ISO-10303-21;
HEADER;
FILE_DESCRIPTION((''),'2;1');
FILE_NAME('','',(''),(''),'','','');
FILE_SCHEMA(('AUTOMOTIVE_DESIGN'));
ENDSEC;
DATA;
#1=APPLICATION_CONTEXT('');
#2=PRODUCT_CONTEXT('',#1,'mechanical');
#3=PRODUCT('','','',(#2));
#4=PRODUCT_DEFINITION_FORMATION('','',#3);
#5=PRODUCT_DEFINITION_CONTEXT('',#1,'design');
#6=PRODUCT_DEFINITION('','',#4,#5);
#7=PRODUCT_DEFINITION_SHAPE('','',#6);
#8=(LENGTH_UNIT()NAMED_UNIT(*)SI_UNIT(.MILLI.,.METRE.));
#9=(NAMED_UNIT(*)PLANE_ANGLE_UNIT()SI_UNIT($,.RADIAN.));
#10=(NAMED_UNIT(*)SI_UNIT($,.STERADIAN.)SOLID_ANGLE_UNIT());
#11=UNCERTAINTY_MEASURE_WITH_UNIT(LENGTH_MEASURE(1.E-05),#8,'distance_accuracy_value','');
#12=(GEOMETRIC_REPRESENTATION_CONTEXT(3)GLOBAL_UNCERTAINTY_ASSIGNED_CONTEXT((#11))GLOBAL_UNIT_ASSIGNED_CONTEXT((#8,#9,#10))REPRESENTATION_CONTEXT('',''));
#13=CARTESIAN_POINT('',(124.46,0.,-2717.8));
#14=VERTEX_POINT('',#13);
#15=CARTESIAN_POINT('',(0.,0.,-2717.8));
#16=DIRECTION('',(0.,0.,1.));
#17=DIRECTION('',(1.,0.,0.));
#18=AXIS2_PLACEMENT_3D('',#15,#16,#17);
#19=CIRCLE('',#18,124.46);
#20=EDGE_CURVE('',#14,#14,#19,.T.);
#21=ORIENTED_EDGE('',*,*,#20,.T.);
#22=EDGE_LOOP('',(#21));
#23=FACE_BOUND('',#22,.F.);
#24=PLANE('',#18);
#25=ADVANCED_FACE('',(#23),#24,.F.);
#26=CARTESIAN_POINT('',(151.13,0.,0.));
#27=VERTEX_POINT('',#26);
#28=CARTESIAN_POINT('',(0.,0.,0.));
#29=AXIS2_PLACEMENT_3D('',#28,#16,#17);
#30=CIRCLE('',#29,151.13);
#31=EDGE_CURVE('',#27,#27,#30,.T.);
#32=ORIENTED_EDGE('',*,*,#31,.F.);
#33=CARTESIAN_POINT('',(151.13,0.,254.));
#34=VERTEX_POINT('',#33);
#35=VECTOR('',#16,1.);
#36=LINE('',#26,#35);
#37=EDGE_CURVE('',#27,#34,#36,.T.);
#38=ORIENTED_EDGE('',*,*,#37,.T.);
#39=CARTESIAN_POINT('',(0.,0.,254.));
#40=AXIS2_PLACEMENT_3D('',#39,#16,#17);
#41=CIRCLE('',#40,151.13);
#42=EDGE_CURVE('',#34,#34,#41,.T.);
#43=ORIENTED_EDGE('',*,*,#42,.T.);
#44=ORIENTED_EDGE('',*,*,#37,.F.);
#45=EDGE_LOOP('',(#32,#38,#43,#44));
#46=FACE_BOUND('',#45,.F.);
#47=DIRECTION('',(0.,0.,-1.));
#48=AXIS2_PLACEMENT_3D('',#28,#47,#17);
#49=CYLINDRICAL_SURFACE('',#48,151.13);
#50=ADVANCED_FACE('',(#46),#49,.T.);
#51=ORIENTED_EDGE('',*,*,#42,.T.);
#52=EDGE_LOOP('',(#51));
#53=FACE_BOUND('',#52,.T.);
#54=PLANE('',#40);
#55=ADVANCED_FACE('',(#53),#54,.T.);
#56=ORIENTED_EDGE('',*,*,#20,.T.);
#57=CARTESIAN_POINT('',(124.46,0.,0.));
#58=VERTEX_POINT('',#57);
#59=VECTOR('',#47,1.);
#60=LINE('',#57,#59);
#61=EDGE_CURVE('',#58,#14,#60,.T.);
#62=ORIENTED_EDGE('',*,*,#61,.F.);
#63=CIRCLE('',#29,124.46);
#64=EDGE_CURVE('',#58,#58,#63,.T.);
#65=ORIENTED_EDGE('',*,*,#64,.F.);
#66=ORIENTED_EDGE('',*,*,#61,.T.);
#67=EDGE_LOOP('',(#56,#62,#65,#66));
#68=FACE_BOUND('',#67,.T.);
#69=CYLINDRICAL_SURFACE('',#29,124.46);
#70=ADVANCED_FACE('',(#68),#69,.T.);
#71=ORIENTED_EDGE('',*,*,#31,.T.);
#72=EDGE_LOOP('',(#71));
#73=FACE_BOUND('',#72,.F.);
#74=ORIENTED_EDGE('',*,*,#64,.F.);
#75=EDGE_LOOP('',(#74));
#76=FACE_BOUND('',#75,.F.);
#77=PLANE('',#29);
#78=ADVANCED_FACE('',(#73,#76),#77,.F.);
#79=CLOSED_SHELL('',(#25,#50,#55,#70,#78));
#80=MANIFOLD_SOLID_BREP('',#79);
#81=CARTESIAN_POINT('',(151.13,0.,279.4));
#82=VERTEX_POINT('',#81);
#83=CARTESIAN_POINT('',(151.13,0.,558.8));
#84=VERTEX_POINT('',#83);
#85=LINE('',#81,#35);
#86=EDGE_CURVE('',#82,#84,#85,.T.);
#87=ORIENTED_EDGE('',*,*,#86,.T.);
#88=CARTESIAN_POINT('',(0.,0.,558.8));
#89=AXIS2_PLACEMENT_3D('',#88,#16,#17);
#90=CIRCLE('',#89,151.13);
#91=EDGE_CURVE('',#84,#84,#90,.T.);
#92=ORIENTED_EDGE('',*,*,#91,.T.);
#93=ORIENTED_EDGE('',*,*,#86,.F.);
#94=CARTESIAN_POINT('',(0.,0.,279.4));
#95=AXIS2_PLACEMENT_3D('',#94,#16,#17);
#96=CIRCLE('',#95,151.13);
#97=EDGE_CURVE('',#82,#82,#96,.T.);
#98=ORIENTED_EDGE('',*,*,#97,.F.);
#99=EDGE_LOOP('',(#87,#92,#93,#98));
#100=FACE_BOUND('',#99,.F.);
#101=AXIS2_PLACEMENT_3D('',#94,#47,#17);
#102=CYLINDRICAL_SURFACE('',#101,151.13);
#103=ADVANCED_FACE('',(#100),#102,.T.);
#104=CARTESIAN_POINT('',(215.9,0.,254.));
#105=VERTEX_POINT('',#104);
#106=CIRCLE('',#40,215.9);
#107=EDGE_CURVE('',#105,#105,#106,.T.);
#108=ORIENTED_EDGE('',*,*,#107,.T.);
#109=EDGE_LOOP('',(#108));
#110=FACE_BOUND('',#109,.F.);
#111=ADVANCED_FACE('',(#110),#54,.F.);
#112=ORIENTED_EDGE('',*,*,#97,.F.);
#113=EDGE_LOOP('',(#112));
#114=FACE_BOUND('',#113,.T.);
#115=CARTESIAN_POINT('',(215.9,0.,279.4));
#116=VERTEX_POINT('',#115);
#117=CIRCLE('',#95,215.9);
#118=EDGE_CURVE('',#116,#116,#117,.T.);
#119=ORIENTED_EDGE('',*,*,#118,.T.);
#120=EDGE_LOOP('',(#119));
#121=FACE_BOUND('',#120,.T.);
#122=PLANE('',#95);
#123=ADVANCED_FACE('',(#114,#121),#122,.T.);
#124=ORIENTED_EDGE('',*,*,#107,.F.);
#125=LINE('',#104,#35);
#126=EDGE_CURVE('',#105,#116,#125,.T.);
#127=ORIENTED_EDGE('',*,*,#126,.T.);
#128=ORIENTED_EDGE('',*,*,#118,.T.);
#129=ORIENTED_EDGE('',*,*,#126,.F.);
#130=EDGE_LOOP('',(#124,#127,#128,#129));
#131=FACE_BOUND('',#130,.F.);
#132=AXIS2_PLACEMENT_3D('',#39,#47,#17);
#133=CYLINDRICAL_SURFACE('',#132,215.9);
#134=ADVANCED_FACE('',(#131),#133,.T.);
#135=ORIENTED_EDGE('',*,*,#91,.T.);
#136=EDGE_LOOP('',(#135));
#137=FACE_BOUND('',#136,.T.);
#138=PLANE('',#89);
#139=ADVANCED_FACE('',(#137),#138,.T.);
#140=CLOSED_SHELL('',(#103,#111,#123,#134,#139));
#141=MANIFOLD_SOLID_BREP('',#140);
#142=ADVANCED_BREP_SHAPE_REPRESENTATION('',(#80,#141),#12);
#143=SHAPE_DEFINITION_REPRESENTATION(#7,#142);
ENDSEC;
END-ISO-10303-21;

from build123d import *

# Parameters (mm, degrees)
F0_R     = 124.46
F1_DEPTH = 2717.8
F2_R     = 151.13
F3_DEPTH = 254
F4_R     = 215.9
F4_R_2   = 151.13
F5_DEPTH = 25.4
F6_R     = 151.13
F7_DEPTH = 279.4


with BuildPart() as f1:
    # F0 (on Top) → F1 (new body)
    with BuildSketch(Plane.XY):
        Circle(F0_R)
    extrude(amount=-F1_DEPTH)

    # F2 (on Top) → F3 (join)
    with BuildSketch(Plane.XY):
        Circle(F2_R)
    extrude(amount=F3_DEPTH)


with BuildPart() as f5:
    # F4 (on face) → F5 (new body)
    with BuildSketch(Plane.XY.offset(254)):
        Circle(F4_R)
        Circle(F4_R_2, mode=Mode.SUBTRACT)
        Circle(F4_R_2)
    extrude(amount=F5_DEPTH)

    # F6 (on face) → F7 (join)
    with BuildSketch(Plane.XY.offset(279.4)):
        Circle(F6_R)
    extrude(amount=F7_DEPTH)


solid = Compound([f1.part, f5.part])
